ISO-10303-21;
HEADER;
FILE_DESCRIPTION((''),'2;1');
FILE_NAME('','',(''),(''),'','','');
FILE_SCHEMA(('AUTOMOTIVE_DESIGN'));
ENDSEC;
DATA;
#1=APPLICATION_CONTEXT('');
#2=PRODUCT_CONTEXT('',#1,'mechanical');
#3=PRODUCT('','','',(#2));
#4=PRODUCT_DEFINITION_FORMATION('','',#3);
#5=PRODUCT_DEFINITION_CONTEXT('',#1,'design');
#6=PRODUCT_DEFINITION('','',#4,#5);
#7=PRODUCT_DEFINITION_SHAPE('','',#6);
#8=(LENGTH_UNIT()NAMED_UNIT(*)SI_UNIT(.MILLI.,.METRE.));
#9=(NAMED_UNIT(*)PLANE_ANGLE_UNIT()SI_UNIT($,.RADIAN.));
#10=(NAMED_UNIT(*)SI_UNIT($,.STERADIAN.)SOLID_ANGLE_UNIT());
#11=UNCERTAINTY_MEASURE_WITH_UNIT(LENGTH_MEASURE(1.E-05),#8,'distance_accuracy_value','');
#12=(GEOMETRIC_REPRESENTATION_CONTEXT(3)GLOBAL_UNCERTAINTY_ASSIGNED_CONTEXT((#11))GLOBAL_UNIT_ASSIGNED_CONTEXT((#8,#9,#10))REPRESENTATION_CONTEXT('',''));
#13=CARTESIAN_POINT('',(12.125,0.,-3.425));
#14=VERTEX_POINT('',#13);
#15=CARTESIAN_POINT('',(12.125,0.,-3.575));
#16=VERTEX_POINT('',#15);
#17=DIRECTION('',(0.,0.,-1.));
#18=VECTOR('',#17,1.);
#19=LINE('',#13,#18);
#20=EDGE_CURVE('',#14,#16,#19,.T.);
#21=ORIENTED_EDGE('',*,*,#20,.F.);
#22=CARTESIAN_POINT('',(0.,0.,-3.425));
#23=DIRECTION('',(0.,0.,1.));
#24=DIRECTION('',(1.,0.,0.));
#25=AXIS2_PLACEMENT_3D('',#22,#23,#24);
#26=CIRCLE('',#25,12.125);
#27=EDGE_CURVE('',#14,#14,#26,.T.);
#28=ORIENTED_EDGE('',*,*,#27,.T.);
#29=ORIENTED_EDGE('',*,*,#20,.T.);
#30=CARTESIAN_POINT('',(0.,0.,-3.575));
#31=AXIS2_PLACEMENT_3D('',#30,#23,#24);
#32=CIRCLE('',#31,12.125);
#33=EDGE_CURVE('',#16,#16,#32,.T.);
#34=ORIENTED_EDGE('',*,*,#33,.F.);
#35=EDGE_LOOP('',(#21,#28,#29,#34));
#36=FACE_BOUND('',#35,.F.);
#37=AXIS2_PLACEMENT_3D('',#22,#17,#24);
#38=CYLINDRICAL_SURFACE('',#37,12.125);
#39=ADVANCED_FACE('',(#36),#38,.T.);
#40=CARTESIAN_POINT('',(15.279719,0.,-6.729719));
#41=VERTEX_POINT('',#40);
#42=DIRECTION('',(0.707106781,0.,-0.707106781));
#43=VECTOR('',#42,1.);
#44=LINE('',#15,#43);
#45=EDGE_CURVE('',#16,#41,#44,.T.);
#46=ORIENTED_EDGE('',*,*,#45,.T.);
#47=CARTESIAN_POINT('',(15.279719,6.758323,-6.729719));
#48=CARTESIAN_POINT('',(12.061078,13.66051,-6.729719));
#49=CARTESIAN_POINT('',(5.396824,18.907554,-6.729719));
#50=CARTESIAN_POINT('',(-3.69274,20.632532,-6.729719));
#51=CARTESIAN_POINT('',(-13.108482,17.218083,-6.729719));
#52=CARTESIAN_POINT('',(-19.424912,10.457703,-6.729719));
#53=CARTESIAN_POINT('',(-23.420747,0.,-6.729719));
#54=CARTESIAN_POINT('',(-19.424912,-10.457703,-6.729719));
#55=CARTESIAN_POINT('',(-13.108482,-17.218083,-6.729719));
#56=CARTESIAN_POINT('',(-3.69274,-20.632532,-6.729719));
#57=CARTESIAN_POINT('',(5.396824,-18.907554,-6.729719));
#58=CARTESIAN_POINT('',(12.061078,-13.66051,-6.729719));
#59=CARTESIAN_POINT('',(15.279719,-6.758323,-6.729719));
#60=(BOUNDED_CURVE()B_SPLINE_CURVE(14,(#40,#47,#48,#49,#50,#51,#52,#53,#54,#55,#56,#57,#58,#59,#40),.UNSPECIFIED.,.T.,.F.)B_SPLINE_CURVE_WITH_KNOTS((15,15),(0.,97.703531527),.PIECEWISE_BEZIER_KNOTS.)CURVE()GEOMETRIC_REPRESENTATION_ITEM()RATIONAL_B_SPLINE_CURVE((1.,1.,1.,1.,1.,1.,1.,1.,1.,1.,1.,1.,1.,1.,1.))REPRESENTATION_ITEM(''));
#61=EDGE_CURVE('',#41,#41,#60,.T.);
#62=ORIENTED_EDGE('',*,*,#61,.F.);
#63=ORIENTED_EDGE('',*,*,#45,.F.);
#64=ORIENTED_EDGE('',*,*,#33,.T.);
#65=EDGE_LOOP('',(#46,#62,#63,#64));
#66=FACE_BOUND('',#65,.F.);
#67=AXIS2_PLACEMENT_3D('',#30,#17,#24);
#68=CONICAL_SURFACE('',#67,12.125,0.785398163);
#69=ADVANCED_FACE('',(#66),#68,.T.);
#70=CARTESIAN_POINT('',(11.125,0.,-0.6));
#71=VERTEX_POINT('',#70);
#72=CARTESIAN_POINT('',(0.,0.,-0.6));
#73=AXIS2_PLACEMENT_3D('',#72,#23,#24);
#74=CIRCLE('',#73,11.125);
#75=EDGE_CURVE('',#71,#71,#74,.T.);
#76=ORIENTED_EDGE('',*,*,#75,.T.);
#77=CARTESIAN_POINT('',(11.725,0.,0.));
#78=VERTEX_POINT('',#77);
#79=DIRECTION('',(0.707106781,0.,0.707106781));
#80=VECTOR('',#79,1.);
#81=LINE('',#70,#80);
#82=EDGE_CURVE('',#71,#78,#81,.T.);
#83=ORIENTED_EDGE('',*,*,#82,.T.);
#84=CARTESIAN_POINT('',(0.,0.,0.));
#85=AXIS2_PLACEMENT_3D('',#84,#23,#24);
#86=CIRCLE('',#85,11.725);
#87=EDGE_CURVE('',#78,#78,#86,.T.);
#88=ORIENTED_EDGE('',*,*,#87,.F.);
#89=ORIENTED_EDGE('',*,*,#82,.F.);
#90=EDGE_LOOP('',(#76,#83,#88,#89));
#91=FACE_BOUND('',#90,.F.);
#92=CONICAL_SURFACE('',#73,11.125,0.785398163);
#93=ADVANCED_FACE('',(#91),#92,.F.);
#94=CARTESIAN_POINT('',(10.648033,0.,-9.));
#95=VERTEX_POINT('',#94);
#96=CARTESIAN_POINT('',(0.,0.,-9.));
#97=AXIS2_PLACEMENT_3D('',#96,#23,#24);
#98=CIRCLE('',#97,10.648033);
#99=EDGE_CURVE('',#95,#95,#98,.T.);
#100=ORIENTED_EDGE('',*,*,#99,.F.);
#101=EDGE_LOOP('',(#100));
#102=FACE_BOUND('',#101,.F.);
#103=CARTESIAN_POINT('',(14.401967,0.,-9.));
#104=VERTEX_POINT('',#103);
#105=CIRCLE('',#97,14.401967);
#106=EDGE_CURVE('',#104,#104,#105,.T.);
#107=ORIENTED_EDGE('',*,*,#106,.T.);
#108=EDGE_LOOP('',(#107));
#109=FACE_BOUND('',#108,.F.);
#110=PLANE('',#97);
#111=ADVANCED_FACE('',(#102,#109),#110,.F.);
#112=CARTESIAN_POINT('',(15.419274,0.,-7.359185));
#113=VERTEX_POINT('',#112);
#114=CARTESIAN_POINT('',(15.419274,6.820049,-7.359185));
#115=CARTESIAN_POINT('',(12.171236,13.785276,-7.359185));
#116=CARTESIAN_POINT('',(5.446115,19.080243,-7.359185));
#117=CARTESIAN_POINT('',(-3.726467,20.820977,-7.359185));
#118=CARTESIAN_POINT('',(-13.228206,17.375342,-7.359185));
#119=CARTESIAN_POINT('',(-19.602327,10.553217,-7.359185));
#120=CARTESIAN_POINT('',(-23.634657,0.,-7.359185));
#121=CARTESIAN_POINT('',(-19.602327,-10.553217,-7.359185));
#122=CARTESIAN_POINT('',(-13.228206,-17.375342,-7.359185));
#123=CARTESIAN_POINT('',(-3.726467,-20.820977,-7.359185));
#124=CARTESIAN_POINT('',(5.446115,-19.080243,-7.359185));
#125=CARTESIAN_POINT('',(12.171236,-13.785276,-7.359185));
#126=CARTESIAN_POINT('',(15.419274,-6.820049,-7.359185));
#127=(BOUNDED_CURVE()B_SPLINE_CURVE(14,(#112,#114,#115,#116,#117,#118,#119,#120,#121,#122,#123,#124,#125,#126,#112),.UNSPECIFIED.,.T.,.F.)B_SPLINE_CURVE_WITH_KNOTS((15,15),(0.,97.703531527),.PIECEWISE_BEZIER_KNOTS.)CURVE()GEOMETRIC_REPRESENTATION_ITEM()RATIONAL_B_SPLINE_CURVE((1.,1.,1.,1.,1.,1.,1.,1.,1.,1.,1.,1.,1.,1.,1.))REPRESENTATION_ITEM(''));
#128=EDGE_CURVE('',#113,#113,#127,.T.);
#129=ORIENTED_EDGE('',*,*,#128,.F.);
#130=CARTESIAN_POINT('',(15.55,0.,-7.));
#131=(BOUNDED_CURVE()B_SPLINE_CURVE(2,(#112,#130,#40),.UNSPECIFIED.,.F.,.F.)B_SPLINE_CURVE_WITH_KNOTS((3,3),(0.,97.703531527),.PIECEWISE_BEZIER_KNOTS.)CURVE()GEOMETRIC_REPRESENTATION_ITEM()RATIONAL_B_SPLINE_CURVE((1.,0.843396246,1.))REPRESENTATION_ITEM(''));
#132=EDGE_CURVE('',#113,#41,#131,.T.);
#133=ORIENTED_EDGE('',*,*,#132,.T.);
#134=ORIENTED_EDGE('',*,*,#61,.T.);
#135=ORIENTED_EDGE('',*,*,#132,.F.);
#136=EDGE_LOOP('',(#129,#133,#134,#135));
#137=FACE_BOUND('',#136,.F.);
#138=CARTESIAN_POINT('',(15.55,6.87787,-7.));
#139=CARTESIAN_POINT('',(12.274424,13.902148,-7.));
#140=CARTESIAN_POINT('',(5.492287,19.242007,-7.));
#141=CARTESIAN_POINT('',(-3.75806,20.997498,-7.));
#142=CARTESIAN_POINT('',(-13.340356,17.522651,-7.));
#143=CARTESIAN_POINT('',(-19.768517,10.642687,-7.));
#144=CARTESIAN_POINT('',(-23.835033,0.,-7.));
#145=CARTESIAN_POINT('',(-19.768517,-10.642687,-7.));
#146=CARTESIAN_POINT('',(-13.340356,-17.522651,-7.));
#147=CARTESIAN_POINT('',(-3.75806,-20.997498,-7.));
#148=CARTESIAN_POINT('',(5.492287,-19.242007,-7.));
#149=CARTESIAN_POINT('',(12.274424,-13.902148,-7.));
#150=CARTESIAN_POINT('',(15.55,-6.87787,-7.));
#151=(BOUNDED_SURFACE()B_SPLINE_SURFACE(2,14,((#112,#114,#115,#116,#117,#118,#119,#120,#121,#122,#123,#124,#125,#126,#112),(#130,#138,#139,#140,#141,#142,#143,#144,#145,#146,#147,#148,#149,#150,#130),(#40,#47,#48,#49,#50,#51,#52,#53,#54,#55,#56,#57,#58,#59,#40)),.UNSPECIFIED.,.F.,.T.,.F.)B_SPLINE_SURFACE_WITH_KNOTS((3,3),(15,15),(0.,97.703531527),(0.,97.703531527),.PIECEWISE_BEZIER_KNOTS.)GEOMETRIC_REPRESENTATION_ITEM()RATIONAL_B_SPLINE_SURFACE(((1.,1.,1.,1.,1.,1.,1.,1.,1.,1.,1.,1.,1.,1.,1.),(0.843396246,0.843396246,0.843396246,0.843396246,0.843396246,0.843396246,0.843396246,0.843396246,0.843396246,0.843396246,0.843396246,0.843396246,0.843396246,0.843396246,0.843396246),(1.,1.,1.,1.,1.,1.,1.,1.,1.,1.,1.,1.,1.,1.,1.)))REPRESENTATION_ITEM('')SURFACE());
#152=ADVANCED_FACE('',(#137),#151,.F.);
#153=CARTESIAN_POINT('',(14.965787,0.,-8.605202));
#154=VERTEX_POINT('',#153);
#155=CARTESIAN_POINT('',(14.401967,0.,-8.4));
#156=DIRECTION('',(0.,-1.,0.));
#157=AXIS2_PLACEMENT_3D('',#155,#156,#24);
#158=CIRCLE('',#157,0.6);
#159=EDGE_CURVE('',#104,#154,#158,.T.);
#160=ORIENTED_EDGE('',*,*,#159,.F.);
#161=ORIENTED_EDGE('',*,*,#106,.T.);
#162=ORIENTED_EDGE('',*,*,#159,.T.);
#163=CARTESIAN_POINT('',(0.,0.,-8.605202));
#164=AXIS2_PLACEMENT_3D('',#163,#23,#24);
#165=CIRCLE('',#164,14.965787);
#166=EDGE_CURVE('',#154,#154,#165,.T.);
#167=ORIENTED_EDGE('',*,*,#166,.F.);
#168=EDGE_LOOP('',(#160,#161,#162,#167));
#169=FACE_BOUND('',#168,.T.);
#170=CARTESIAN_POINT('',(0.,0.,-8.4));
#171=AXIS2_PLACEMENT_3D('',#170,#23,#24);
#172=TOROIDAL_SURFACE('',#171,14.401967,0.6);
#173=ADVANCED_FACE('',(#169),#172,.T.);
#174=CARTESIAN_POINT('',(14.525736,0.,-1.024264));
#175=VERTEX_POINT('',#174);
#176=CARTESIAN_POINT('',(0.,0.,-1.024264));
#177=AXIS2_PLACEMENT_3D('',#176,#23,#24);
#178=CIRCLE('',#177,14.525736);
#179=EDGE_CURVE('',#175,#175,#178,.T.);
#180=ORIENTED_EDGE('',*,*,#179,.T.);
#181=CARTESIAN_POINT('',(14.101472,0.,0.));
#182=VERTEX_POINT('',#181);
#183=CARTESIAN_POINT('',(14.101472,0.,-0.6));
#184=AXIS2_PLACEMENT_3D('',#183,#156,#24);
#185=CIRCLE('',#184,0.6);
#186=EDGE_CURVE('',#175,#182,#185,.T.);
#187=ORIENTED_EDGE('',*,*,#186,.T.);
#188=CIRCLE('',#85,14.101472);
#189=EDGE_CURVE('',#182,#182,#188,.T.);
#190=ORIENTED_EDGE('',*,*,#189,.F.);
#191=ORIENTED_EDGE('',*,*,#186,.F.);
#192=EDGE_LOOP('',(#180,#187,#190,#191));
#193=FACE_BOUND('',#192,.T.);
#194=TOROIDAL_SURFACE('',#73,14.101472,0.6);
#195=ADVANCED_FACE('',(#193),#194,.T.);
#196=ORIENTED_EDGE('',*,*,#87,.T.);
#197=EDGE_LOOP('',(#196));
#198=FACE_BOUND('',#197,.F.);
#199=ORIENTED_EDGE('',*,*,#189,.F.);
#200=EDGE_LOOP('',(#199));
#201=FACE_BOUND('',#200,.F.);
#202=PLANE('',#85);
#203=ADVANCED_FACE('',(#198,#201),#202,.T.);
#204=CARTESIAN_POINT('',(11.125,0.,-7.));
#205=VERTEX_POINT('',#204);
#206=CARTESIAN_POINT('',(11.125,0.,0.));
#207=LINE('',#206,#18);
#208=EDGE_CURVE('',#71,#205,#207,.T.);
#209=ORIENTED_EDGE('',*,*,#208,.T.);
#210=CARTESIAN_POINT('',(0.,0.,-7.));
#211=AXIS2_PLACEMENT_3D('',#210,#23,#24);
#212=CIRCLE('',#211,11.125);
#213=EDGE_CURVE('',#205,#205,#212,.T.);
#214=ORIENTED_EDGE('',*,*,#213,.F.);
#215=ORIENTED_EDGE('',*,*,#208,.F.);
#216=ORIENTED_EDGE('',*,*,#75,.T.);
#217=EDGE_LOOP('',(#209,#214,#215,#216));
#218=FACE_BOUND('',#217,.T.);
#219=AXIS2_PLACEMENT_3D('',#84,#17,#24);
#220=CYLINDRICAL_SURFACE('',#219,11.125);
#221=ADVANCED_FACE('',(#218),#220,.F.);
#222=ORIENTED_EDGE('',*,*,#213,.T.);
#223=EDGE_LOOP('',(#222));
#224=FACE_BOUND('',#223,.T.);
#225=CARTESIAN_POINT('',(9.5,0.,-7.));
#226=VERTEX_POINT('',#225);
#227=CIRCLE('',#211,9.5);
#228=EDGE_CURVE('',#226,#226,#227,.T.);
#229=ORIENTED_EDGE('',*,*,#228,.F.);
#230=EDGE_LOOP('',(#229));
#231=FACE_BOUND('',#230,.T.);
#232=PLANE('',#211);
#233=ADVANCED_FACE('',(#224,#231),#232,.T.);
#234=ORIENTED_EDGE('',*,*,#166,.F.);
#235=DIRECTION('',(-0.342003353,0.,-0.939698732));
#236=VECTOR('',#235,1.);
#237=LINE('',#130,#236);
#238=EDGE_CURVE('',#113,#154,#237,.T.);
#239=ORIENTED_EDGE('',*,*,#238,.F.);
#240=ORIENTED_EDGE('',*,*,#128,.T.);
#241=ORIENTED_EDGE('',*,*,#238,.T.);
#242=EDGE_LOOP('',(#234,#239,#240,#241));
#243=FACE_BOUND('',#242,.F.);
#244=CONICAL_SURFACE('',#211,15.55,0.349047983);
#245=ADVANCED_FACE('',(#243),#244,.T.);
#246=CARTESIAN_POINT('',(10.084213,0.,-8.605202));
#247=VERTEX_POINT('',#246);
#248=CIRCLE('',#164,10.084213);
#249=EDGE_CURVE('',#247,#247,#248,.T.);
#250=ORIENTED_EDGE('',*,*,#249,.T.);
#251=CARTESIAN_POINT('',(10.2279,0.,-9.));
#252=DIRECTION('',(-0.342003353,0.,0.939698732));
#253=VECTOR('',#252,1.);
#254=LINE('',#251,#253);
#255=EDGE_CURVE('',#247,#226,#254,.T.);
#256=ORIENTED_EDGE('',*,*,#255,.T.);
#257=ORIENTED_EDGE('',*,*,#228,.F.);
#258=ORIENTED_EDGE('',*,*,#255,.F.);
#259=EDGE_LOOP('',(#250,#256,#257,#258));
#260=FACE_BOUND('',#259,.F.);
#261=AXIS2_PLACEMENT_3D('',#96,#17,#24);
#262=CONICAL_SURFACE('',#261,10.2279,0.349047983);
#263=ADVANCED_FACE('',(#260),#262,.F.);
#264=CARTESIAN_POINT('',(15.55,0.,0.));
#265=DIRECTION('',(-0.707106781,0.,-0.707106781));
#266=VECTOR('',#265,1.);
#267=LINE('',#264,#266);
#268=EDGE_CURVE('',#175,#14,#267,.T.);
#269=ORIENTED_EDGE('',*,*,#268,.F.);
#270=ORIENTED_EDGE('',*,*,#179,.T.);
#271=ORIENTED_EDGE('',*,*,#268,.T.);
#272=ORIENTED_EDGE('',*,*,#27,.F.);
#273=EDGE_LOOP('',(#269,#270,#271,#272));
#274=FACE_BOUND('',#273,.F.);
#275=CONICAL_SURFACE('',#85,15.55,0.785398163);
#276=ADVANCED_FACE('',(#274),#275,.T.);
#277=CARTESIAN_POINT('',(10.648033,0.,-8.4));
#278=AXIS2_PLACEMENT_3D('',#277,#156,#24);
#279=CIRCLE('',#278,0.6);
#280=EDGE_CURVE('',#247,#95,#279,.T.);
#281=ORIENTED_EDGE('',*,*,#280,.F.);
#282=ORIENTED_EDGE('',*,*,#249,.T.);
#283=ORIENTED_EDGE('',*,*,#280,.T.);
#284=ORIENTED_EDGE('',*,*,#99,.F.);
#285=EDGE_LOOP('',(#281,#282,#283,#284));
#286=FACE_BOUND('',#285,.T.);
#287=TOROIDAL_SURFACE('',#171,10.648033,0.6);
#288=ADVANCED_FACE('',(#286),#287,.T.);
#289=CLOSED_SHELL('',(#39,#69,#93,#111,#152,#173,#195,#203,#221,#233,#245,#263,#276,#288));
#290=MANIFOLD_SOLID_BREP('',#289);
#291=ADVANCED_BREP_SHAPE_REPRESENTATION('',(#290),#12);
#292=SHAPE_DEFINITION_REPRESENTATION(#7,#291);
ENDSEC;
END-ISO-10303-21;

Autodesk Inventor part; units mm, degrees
ref_plane "YZ Plane" through (0, 0, 0) normal (1, 0, 0) x (0, 1, 0)
ref_plane "XZ Plane" through (0, 0, 0) normal (0, 1, 0) x (-1, 0, 0)
ref_plane "XY Plane" through (0, 0, 0) normal (0, 0, 1) x (1, 0, 0)
ref_plane "Work Plane1" through (0, 0, 0) normal (0, 0, 1) x (1, 0, 0)
sketch "Sketch1" plane through (0, 0, 0) normal (0, 1, 0) x (-1, 0, 0)
  line L0 (-11.125, -7) -> (11.125, -7)
  line L1 (11.125, -7) -> (11.125, 0)
  line L2 (11.125, 0) -> (-11.125, 0)
  line L3 (-11.125, 0) -> (-11.125, -7)
  line L4 (-11.125, -7) -> (11.125, 0) construction
  line L5 (11.125, -7) -> (-11.125, 0) construction
  line L6 (0, -3.5) -> (0, 0) construction
  line L7 (-11.125, 0) -> (-15.55, 0)
  line L8 (-15.55, 0) -> (-12.125, -3.425)
  line L9 (-12.125, -3.575) -> (-15.55, -7)
  line L10 (-15.55, -7) -> (-11.125, -7) construction
  line L11 (-12.125, -3.425) -> (-12.125, -3.575)
  line L12 (-15.55, -7) -> (-14.8221, -9)
  line L13 (-14.8221, -9) -> (-10.2279, -9)
  line L14 (-10.2279, -9) -> (-9.5, -7)
  dimension "d0" = 22.25
  dimension "d1" = 7
  dimension "d3" = 45
  dimension "d4" = 45
  dimension "d6" = 70
  dimension "d7" = 2
  dimension "d8" = 19
  dimension "d9" = 70
  dimension "d16" = 1
  dimension "d17" = 31.1
revolve "Revolution1" add sketch "Sketch1" angle 360 about axis through (0, 0, -3.5) along (0, 0, 1) contours L0 L14 L13 L12 L9 L11 L8 L7 L3
fillet "Fillet1" radius 0.6 4 edges at (-15.55, 0, 0) (-15.55, 0, -7) (-14.8221, 0, -9) (-10.2279, 0, -9)
chamfer "Chamfer1" distance 0.6 angle 45 1 edges at (-11.125, 0, 0)
properties part number "vroller_3DPrint"
